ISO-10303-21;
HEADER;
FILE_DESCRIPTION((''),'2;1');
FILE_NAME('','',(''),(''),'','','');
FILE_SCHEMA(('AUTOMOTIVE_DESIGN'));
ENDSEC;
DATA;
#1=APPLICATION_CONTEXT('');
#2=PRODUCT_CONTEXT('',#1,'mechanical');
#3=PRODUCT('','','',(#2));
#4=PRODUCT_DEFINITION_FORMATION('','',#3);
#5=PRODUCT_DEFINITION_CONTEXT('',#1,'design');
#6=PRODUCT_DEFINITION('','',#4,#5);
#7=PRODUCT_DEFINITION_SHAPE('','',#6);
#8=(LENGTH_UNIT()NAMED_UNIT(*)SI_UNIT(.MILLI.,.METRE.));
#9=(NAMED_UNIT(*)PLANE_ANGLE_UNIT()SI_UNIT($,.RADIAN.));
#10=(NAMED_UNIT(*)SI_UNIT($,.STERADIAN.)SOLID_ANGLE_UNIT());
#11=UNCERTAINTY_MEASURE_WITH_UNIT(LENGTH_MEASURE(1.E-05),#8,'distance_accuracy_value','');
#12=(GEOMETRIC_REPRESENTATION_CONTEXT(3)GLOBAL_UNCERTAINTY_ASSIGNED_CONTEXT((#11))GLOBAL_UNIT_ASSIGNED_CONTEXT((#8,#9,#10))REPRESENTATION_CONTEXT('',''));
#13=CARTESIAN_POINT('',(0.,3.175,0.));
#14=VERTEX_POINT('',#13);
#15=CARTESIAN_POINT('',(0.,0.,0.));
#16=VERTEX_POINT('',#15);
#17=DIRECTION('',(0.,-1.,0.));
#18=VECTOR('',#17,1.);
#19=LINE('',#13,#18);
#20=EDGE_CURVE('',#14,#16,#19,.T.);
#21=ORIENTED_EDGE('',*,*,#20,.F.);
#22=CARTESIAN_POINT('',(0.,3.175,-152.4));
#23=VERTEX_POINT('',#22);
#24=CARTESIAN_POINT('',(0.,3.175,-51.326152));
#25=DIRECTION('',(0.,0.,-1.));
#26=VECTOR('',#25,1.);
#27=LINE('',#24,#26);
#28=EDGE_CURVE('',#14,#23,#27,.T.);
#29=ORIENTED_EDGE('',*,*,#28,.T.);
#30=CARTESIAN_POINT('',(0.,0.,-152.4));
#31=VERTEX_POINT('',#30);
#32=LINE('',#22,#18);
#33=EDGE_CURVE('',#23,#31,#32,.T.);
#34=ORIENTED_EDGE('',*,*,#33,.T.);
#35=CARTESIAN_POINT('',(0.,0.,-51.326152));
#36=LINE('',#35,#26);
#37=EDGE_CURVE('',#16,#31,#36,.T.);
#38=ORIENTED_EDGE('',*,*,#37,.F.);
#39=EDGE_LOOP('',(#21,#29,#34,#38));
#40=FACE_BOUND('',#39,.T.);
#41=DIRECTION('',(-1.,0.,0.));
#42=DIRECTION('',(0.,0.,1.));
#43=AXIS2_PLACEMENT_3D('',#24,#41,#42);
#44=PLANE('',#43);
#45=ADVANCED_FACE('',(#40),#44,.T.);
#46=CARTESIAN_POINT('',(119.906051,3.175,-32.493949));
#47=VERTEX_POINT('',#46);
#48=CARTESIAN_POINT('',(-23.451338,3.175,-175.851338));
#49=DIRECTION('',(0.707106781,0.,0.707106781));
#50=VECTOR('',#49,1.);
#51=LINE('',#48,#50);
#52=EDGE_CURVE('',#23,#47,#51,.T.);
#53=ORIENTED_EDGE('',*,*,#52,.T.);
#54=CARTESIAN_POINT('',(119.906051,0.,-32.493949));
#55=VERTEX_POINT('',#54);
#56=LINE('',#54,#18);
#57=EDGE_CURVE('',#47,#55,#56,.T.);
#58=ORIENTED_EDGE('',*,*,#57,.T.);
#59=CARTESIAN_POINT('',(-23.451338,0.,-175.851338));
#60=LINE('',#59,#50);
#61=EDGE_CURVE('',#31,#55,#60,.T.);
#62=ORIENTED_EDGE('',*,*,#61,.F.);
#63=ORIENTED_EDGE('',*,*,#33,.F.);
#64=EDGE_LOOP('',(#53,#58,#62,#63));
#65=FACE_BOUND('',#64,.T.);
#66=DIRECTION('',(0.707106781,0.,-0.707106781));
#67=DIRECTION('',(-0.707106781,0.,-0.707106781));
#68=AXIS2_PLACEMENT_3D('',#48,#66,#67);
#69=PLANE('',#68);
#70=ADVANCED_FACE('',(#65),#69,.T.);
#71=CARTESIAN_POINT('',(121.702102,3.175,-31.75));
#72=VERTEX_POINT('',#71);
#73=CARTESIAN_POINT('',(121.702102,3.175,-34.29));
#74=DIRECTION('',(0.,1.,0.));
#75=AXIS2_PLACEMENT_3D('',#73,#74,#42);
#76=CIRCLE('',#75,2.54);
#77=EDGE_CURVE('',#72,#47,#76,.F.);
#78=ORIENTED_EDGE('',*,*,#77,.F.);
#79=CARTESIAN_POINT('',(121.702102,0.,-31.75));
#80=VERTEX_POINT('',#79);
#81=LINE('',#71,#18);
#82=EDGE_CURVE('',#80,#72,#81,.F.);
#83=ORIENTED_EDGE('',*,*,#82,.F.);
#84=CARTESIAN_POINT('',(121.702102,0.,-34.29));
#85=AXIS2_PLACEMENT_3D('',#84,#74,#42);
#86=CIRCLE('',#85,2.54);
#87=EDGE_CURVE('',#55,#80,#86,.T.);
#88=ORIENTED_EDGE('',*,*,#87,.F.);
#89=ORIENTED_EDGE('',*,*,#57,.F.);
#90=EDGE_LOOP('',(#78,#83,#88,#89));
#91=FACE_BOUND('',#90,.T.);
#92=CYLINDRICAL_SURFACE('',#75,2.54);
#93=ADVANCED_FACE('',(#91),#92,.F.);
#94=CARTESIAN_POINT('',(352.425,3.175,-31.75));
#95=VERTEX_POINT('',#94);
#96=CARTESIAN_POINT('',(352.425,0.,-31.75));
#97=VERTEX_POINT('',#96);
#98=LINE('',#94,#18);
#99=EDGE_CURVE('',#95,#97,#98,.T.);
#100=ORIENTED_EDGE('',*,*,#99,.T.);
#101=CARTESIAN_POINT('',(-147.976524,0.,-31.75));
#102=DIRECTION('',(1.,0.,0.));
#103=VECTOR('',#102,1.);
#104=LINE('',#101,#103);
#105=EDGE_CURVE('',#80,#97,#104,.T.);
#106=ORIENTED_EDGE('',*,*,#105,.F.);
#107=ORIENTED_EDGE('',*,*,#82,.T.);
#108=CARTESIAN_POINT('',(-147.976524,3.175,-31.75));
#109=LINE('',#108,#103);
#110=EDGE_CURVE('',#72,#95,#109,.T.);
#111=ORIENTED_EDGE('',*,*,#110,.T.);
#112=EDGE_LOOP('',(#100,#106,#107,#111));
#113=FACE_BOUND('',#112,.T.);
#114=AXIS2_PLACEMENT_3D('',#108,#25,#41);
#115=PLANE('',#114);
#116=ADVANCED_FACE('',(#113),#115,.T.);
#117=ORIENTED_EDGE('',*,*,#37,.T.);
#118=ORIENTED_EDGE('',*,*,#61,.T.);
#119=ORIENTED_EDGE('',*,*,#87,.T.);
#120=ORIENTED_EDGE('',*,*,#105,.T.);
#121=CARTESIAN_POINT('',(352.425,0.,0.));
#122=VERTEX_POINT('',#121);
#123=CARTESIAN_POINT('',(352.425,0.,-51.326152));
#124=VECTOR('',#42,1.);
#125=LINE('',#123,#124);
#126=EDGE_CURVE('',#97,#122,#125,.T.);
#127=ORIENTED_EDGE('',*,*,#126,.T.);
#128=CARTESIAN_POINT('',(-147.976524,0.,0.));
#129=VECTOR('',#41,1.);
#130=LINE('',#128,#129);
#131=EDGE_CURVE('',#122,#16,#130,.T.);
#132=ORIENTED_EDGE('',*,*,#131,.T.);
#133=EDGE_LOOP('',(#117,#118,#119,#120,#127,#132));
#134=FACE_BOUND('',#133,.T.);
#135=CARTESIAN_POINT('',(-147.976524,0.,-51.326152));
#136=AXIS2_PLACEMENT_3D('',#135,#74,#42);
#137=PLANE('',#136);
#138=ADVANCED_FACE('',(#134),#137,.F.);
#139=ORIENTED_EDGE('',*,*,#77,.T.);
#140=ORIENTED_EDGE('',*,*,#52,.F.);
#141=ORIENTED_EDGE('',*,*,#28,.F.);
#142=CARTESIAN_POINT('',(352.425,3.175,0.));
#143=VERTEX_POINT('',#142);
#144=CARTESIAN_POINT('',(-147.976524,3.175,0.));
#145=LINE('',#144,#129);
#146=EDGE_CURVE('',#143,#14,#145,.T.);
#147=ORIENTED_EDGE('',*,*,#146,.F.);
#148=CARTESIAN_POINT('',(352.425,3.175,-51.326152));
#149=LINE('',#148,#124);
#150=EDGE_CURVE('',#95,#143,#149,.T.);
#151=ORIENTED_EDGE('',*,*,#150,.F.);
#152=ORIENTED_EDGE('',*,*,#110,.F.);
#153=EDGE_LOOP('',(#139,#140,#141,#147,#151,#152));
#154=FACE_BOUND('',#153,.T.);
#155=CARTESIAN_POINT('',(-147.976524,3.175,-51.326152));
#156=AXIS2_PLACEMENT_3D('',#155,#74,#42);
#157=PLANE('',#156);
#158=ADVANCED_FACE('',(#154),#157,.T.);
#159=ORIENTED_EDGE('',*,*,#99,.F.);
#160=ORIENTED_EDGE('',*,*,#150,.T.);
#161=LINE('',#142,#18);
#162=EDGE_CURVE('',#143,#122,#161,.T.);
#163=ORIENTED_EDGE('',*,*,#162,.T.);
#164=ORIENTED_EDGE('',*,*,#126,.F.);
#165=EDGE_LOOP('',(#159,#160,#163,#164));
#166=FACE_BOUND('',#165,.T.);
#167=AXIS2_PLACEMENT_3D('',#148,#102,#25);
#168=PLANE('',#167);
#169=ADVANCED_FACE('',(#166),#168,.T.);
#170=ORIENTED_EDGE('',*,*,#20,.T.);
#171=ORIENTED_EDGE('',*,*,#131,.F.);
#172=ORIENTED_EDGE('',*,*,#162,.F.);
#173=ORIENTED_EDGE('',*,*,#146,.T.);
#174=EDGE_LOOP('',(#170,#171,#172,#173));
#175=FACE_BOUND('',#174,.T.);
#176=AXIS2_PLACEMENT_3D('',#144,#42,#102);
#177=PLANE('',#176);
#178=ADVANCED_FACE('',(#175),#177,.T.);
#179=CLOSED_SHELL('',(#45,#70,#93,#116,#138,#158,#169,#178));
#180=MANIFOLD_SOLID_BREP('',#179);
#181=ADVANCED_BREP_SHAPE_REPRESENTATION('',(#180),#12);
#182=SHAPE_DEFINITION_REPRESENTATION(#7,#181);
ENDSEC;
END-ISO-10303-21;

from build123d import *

# Parameters (mm, degrees)
BOSS_EXTRUDE1_DEPTH = 3.175
FILLET1_R           = 2.54


with BuildPart() as part:
    # Sketch1 → Boss-Extrude1 (new body)
    with BuildSketch(Plane(origin=(0, 0, 0), x_dir=(1, 0, 0), z_dir=(0, 1, 0))):
        Polygon((152.4, 0), (0, 0), (0, 152.4), align=None)
        Polygon((120.65, 31.75), (152.4, 0), (352.425, 0), (352.425, 31.75), (121.965128061, 31.75), align=None)
    extrude(amount=BOSS_EXTRUDE1_DEPTH)

    # Fillet1
    fillet1_edges = [part.edges().sort_by_distance(p)[0] for p in [
        (120.65, 1.5875, -31.75),
    ]]
    fillet(fillet1_edges, radius=FILLET1_R)


solid = part.part
